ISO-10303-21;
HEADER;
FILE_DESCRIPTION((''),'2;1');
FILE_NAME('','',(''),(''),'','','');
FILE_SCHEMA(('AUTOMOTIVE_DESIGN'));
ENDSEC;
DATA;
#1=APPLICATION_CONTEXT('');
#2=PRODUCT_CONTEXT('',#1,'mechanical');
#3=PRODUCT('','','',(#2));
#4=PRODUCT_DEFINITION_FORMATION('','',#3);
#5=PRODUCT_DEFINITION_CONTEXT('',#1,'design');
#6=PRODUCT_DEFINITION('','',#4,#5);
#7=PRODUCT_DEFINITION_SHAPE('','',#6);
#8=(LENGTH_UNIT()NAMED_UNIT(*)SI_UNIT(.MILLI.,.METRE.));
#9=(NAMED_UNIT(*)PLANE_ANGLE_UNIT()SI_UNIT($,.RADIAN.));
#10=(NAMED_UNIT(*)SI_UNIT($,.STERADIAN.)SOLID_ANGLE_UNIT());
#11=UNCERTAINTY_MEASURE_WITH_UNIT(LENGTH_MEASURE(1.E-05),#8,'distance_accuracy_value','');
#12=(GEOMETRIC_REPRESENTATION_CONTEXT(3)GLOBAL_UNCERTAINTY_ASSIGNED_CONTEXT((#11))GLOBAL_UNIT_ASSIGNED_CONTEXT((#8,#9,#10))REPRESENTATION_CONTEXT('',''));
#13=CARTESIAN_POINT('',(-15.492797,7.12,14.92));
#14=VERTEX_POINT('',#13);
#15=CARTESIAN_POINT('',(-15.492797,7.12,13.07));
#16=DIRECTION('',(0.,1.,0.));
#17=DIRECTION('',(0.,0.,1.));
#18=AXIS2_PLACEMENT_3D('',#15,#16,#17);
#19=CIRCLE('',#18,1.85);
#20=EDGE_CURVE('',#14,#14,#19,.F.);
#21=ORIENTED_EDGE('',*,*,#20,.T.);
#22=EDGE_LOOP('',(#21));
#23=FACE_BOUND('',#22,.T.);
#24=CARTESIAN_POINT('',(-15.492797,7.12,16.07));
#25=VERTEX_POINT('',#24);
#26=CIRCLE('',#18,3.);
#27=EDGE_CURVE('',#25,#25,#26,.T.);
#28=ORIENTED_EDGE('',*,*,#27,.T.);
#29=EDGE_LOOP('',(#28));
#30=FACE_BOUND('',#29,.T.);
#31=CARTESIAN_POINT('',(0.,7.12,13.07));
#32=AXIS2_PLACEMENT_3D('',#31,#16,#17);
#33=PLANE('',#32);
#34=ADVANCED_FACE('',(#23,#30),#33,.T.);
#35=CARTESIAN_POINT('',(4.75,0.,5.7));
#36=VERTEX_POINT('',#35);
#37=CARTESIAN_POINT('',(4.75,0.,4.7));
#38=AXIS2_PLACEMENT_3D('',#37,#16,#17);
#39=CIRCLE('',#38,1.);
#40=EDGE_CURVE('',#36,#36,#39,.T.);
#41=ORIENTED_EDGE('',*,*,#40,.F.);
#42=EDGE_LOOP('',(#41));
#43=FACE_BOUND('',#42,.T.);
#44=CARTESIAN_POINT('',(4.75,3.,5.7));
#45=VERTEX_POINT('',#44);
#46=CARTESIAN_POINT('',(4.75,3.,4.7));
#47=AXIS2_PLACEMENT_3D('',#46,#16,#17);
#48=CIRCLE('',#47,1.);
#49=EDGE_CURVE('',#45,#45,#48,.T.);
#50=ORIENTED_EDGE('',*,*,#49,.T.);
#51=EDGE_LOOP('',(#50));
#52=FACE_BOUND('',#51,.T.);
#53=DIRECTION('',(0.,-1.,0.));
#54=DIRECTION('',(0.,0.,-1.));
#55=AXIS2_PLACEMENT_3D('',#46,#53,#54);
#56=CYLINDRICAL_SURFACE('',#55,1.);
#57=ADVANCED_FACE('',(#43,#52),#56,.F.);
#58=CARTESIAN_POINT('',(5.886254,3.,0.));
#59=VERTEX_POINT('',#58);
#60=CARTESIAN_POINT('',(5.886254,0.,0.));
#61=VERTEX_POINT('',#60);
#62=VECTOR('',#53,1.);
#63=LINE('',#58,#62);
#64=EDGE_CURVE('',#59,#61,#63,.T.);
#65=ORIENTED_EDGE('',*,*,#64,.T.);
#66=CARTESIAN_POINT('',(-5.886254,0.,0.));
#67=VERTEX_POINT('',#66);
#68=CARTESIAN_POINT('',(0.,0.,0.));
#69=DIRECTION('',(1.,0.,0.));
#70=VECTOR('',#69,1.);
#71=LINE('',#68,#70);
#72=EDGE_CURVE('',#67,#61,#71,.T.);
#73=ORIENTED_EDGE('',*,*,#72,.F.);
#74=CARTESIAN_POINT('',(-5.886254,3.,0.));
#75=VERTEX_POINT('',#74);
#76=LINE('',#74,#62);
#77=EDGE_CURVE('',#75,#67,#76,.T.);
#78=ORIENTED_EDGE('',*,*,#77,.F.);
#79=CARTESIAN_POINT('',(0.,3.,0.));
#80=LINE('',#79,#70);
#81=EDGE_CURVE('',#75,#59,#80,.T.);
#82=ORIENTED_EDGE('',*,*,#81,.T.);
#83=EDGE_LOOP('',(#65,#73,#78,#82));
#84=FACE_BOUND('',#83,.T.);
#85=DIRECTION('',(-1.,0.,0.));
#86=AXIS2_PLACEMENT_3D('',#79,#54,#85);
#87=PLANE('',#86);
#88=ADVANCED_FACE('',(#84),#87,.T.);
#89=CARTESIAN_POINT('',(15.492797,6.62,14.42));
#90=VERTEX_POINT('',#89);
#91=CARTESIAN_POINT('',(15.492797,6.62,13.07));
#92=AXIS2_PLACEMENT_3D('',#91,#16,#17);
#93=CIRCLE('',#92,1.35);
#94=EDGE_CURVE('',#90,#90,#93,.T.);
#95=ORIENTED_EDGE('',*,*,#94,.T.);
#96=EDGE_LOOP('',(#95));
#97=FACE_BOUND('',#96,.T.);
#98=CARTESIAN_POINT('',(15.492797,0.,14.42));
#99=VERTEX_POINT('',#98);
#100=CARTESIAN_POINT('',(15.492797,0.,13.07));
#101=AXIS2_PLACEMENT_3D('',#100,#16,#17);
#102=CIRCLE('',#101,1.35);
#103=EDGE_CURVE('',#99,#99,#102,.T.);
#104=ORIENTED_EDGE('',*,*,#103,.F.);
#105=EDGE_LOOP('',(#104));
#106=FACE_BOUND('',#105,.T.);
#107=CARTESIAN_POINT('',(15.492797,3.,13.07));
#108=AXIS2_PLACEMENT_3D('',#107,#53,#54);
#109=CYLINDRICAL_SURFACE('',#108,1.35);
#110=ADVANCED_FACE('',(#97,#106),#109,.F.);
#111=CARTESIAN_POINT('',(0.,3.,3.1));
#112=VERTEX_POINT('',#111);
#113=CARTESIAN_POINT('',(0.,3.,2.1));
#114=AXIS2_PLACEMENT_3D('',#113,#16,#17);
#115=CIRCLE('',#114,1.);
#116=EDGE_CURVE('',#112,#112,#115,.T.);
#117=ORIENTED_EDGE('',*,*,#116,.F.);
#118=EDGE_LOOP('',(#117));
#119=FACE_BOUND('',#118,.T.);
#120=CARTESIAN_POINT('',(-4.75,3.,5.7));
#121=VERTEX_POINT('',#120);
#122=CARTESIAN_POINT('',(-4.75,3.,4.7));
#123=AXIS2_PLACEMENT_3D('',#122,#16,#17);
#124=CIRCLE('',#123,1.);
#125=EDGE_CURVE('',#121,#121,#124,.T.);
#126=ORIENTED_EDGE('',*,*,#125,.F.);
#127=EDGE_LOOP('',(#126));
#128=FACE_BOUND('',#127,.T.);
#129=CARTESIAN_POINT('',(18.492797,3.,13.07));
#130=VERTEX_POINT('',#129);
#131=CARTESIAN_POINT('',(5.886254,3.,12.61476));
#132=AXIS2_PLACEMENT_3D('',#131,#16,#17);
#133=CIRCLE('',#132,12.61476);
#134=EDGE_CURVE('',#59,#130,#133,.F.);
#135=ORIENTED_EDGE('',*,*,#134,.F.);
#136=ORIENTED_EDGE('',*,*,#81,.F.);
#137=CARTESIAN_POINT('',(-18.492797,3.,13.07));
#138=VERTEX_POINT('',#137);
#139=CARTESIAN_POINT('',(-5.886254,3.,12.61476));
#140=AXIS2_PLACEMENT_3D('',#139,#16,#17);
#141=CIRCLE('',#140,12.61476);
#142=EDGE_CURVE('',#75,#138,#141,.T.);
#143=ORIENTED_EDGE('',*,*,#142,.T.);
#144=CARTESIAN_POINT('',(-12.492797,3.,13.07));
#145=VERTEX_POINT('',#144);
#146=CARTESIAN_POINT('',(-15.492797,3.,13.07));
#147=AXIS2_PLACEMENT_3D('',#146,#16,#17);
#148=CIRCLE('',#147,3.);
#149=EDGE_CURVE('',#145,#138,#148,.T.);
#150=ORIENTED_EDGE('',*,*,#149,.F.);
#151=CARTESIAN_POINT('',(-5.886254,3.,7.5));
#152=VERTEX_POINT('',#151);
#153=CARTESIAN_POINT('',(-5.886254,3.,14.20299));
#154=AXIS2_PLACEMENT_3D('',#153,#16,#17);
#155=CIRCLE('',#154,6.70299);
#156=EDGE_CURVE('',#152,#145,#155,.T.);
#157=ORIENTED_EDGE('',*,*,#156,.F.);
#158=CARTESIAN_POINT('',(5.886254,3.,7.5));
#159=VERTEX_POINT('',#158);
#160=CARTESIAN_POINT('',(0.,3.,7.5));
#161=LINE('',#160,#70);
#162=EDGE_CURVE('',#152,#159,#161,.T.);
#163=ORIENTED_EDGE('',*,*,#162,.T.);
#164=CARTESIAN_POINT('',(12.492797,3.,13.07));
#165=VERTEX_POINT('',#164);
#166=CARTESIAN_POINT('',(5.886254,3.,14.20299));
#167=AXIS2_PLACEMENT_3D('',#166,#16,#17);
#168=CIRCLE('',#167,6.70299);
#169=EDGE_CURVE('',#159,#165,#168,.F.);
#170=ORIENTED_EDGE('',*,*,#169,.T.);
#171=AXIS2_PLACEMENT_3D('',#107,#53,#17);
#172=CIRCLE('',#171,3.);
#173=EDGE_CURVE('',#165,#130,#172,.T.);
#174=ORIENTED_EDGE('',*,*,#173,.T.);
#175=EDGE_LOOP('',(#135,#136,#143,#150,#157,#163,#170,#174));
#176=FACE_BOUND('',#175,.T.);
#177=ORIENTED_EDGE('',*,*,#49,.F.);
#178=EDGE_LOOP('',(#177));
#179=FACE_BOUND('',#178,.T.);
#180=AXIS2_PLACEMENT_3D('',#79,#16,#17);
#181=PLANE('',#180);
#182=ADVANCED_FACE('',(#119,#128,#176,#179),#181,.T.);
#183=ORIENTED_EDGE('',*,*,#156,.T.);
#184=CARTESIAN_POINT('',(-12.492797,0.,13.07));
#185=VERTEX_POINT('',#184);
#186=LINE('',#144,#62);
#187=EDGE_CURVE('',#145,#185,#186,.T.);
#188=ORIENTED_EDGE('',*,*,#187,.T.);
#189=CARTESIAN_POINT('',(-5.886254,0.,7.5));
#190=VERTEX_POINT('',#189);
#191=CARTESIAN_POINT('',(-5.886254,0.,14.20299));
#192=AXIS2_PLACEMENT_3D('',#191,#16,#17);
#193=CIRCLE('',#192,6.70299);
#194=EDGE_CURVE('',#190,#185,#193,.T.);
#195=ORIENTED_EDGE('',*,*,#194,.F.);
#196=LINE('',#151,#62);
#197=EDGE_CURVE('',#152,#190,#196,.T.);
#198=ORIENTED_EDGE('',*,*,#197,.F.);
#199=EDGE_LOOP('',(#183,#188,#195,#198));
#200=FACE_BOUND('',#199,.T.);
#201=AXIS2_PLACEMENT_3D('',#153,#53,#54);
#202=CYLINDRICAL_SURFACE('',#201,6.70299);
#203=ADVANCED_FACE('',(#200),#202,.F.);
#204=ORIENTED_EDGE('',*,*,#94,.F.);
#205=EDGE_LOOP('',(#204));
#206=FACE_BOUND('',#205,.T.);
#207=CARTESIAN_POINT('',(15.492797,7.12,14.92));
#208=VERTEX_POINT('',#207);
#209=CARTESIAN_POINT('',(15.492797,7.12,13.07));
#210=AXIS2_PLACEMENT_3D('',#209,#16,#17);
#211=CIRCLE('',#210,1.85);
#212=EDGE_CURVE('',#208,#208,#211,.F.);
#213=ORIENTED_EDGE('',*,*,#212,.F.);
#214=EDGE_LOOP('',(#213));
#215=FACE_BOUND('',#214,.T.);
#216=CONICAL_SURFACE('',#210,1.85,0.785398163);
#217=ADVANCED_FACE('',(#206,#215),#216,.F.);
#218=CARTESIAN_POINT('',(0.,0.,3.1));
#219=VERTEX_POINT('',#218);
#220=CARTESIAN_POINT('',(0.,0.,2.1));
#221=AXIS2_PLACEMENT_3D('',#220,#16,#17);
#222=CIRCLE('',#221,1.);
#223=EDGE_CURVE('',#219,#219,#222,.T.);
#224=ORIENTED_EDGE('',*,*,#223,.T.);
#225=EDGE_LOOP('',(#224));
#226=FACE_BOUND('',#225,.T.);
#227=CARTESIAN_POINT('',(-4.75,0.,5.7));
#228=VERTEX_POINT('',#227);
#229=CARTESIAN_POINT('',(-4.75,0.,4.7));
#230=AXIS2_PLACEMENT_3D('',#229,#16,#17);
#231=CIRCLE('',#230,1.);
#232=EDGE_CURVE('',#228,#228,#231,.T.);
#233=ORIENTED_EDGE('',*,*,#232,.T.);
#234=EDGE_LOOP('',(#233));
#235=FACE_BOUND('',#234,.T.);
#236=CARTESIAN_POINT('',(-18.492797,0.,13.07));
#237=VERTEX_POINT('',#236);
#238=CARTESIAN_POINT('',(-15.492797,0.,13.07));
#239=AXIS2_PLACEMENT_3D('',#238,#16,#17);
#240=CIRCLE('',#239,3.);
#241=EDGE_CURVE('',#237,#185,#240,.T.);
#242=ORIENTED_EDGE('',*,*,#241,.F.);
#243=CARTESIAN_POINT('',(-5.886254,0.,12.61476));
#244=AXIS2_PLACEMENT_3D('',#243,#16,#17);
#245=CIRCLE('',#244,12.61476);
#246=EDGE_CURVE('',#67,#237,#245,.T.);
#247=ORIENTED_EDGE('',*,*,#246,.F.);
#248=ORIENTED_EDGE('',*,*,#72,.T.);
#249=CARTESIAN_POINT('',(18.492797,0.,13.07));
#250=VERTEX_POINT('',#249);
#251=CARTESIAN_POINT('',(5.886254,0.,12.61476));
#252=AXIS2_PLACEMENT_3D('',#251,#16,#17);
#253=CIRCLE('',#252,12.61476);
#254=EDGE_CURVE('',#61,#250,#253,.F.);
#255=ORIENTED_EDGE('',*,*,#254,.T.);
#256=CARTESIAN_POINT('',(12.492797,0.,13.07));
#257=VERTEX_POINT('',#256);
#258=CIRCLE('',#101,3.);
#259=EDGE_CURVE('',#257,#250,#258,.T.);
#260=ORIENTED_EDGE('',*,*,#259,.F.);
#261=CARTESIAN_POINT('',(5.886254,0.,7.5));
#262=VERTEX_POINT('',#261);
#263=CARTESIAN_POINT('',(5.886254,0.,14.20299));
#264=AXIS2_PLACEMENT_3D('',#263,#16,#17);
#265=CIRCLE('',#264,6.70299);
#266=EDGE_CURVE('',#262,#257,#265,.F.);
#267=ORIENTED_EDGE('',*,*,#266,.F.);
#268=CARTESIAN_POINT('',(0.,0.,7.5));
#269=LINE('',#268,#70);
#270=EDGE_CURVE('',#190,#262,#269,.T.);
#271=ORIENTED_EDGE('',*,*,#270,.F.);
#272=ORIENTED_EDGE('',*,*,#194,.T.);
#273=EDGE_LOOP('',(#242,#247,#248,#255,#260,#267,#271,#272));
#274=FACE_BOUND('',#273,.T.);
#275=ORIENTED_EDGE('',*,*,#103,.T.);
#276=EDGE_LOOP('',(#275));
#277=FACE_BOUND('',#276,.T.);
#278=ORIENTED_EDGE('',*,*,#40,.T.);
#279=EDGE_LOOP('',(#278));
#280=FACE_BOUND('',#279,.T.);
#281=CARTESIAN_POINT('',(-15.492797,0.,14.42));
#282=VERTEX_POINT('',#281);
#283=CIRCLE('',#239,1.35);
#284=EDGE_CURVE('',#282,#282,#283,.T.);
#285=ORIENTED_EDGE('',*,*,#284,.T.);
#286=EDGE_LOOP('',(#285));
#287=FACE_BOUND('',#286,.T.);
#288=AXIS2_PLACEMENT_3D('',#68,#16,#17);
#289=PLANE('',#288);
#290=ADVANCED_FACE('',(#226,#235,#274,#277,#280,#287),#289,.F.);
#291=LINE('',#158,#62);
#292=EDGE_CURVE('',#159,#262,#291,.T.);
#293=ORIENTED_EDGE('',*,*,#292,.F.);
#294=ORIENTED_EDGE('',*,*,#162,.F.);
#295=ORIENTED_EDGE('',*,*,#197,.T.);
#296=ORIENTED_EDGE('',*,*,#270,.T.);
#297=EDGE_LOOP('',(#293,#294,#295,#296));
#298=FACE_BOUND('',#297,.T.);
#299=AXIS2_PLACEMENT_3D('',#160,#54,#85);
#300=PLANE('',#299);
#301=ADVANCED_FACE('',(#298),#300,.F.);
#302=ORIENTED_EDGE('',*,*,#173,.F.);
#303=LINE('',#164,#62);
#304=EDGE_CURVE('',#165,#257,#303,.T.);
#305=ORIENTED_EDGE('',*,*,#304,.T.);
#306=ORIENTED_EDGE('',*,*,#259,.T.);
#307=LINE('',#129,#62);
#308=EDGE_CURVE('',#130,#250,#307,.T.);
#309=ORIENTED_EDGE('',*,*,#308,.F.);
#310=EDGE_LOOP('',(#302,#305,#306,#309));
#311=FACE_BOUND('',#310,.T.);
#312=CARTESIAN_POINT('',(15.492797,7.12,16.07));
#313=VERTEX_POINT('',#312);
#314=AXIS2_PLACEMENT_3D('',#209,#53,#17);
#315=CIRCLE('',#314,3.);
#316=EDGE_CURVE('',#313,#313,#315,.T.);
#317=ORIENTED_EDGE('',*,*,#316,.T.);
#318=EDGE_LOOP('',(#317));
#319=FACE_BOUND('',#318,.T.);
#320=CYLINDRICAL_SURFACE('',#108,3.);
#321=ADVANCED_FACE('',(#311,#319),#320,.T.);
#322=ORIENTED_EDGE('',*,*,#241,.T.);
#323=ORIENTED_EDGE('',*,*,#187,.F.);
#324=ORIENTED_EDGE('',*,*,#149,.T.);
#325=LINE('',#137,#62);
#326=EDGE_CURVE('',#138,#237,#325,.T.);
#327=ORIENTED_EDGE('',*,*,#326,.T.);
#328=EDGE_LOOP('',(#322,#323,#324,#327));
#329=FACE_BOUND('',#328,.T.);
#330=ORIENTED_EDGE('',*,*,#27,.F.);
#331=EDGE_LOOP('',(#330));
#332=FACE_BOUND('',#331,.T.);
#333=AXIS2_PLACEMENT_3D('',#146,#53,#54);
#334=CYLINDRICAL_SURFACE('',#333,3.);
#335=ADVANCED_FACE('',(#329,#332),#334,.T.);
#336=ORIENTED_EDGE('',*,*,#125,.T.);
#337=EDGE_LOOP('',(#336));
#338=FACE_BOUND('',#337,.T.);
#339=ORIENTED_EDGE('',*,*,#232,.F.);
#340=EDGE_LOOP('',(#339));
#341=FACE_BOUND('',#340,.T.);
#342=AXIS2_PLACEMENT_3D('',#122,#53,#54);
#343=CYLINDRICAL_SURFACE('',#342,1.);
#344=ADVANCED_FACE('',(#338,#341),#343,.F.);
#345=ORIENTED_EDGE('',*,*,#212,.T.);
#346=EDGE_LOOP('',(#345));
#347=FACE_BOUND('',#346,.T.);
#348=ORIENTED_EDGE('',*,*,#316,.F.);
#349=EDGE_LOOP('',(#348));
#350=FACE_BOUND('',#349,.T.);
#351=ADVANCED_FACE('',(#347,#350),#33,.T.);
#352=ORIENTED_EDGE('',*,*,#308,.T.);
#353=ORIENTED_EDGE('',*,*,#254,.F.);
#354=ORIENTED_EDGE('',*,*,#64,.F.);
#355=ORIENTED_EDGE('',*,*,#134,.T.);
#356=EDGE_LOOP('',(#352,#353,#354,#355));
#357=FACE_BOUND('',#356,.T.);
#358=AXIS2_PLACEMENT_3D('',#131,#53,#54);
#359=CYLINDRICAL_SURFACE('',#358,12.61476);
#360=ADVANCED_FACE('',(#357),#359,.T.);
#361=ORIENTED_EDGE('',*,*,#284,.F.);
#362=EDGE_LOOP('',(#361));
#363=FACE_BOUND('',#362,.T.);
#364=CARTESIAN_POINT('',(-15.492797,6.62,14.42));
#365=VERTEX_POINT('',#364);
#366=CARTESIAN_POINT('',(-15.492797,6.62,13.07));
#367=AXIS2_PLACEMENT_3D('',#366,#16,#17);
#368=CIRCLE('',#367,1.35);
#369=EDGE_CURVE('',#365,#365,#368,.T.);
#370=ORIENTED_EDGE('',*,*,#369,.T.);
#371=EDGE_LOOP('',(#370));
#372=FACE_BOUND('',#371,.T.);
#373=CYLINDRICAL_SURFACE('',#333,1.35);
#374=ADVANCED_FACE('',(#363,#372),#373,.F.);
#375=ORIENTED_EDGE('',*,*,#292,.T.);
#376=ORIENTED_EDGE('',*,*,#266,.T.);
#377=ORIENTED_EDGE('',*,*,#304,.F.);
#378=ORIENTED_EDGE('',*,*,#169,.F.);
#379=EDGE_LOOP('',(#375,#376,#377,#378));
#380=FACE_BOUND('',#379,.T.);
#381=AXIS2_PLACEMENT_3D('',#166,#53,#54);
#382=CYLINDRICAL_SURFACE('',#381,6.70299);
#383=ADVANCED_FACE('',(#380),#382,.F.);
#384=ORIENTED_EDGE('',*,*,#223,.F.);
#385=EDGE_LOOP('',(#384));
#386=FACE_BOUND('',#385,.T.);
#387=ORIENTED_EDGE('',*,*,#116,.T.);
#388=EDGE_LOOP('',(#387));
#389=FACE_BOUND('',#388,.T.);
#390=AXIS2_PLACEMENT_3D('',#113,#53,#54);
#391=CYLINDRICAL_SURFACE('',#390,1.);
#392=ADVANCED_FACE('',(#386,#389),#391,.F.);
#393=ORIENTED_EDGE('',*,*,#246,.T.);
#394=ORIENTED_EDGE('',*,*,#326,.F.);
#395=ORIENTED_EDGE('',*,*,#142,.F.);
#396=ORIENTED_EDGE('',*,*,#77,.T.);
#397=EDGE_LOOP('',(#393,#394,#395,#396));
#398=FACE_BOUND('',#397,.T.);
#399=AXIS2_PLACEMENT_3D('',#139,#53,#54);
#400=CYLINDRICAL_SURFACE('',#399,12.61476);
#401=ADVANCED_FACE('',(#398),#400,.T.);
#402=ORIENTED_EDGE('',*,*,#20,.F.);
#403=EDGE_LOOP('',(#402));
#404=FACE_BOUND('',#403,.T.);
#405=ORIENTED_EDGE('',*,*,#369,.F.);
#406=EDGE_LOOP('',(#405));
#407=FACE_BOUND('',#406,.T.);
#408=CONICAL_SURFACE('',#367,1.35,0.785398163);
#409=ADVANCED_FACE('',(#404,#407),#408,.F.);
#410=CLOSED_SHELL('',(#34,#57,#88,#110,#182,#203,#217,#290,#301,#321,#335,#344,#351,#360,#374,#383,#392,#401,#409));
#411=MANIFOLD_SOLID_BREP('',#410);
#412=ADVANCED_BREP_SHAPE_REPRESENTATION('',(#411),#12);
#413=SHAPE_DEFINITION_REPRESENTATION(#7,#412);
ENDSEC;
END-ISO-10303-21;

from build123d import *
from build123d.topology import SkipClean

# Parameters (mm, degrees)
SKETCH1_W                = 11.772507028
SKETCH1_H                = 7.5
SKETCH1_R                = 1
SKETCH1_R_2              = 3
SKETCH1_R_3              = 1.35
BOSS_EXTRUDE1_DEPTH      = 3
SKETCH4_W                = 1.65
SKETCH4_H                = 4.12
CHAMFER1_SIZE            = 0.5
CHAMFER1_OF_MIRROR1_SIZE = 0.5


with BuildPart() as part:
    # Sketch1 → Boss-Extrude1 (new body)
    # profile 1 of 5: a face of its own
    with BuildSketch(Plane(origin=(0, 0, 0), x_dir=(1, 0, 0), z_dir=(0, 1, 0))):
        with BuildLine():
            Line((5.886253514, 0), (5.886253514, -7.5))
            ThreePointArc((5.886253514, -7.5), (10.206881736, -9.07831948), (12.492796705, -13.07))
            ThreePointArc((12.492796705, -13.07), (15.492796705, -10.07), (18.492796705, -13.07))
            ThreePointArc((18.492796705, -13.07), (14.965761089, -3.857208203), (5.886253514, 0))
        make_face()
    # profile 2 of 5: a face of its own
    with BuildSketch(Plane(origin=(0, 0, 0), x_dir=(1, 0, 0), z_dir=(0, 1, 0))):
        with Locations((0, -3.75)):
            Rectangle(SKETCH1_W, SKETCH1_H)
        with Locations(Location((0, -2.1, 0), (0, 0, 270))):
            Circle(SKETCH1_R, mode=Mode.SUBTRACT)
        with Locations(Location((4.75, -4.7, 0), (0, 0, 270))):
            Circle(SKETCH1_R, mode=Mode.SUBTRACT)
        with Locations(Location((-4.75, -4.7, 0), (0, 0, 270))):
            Circle(SKETCH1_R, mode=Mode.SUBTRACT)
    # profile 3 of 5: a face of its own
    with BuildSketch(Plane(origin=(0, 0, 0), x_dir=(1, 0, 0), z_dir=(0, 1, 0))):
        with BuildLine():
            ThreePointArc((-12.492796705, -13.07), (-10.206881736, -9.07831948), (-5.886253514, -7.5))
            Line((-5.886253514, -7.5), (-5.886253514, 0))
            ThreePointArc((-5.886253514, 0), (-14.965761089, -3.857208203), (-18.492796705, -13.07))
            ThreePointArc((-18.492796705, -13.07), (-15.492796705, -10.07), (-12.492796705, -13.07))
        make_face()
    # profile 4 of 5: a face of its own
    with BuildSketch(Plane(origin=(0, 0, 0), x_dir=(1, 0, 0), z_dir=(0, 1, 0))):
        with Locations((-15.492796705, -13.07)):
            Circle(SKETCH1_R_2)
        with Locations(Location((-15.492796705, -13.07, 0), (0, 0, 270))):
            Circle(SKETCH1_R_3, mode=Mode.SUBTRACT)
    # profile 5 of 5: a face of its own
    with BuildSketch(Plane(origin=(0, 0, 0), x_dir=(1, 0, 0), z_dir=(0, 1, 0))):
        with Locations((15.492796705, -13.07)):
            Circle(SKETCH1_R_2)
        with Locations(Location((15.492796705, -13.07, 0), (0, 0, 270))):
            Circle(SKETCH1_R_3, mode=Mode.SUBTRACT)
    extrude(amount=BOSS_EXTRUDE1_DEPTH)

    # Sketch4 → Revolve2 (revolve)
    with BuildSketch(Plane.XY.offset(13.07), mode=Mode.PRIVATE) as revolve2_sk:
        with Locations((-17.667796705, 5.06)):
            Rectangle(SKETCH4_W, SKETCH4_H)
    revolve2 = revolve(revolve2_sk.sketch.rotate(Axis((-15.492796705, 3, 13.07), (0, -1, 0)), 180), axis=Axis((-15.492796705, 3, 13.07), (0, -1, 0)))

    # Chamfer1
    chamfer1_edges = [part.edges().sort_by_distance(p)[0] for p in [
        (-16.842796705, 7.12, 13.07),
    ]]
    chamfer(chamfer1_edges, length=CHAMFER1_SIZE)

    # Mirror1: Revolve2 across plane
    with SkipClean():  # the faces are left unmerged after this step: merging them gives an invalid solid
        add(revolve2.mirror(Plane(origin=(0, 0, 0), x_dir=(0, 0, 1), z_dir=(1, 0, 0))))

    # Chamfer1 of Mirror1
    chamfer1_of_mirror1_edges = [part.edges().sort_by_distance(p)[0] for p in [
        (16.842796705, 7.12, 13.07),
    ]]
    chamfer(chamfer1_of_mirror1_edges, length=CHAMFER1_OF_MIRROR1_SIZE)


solid = part.part
